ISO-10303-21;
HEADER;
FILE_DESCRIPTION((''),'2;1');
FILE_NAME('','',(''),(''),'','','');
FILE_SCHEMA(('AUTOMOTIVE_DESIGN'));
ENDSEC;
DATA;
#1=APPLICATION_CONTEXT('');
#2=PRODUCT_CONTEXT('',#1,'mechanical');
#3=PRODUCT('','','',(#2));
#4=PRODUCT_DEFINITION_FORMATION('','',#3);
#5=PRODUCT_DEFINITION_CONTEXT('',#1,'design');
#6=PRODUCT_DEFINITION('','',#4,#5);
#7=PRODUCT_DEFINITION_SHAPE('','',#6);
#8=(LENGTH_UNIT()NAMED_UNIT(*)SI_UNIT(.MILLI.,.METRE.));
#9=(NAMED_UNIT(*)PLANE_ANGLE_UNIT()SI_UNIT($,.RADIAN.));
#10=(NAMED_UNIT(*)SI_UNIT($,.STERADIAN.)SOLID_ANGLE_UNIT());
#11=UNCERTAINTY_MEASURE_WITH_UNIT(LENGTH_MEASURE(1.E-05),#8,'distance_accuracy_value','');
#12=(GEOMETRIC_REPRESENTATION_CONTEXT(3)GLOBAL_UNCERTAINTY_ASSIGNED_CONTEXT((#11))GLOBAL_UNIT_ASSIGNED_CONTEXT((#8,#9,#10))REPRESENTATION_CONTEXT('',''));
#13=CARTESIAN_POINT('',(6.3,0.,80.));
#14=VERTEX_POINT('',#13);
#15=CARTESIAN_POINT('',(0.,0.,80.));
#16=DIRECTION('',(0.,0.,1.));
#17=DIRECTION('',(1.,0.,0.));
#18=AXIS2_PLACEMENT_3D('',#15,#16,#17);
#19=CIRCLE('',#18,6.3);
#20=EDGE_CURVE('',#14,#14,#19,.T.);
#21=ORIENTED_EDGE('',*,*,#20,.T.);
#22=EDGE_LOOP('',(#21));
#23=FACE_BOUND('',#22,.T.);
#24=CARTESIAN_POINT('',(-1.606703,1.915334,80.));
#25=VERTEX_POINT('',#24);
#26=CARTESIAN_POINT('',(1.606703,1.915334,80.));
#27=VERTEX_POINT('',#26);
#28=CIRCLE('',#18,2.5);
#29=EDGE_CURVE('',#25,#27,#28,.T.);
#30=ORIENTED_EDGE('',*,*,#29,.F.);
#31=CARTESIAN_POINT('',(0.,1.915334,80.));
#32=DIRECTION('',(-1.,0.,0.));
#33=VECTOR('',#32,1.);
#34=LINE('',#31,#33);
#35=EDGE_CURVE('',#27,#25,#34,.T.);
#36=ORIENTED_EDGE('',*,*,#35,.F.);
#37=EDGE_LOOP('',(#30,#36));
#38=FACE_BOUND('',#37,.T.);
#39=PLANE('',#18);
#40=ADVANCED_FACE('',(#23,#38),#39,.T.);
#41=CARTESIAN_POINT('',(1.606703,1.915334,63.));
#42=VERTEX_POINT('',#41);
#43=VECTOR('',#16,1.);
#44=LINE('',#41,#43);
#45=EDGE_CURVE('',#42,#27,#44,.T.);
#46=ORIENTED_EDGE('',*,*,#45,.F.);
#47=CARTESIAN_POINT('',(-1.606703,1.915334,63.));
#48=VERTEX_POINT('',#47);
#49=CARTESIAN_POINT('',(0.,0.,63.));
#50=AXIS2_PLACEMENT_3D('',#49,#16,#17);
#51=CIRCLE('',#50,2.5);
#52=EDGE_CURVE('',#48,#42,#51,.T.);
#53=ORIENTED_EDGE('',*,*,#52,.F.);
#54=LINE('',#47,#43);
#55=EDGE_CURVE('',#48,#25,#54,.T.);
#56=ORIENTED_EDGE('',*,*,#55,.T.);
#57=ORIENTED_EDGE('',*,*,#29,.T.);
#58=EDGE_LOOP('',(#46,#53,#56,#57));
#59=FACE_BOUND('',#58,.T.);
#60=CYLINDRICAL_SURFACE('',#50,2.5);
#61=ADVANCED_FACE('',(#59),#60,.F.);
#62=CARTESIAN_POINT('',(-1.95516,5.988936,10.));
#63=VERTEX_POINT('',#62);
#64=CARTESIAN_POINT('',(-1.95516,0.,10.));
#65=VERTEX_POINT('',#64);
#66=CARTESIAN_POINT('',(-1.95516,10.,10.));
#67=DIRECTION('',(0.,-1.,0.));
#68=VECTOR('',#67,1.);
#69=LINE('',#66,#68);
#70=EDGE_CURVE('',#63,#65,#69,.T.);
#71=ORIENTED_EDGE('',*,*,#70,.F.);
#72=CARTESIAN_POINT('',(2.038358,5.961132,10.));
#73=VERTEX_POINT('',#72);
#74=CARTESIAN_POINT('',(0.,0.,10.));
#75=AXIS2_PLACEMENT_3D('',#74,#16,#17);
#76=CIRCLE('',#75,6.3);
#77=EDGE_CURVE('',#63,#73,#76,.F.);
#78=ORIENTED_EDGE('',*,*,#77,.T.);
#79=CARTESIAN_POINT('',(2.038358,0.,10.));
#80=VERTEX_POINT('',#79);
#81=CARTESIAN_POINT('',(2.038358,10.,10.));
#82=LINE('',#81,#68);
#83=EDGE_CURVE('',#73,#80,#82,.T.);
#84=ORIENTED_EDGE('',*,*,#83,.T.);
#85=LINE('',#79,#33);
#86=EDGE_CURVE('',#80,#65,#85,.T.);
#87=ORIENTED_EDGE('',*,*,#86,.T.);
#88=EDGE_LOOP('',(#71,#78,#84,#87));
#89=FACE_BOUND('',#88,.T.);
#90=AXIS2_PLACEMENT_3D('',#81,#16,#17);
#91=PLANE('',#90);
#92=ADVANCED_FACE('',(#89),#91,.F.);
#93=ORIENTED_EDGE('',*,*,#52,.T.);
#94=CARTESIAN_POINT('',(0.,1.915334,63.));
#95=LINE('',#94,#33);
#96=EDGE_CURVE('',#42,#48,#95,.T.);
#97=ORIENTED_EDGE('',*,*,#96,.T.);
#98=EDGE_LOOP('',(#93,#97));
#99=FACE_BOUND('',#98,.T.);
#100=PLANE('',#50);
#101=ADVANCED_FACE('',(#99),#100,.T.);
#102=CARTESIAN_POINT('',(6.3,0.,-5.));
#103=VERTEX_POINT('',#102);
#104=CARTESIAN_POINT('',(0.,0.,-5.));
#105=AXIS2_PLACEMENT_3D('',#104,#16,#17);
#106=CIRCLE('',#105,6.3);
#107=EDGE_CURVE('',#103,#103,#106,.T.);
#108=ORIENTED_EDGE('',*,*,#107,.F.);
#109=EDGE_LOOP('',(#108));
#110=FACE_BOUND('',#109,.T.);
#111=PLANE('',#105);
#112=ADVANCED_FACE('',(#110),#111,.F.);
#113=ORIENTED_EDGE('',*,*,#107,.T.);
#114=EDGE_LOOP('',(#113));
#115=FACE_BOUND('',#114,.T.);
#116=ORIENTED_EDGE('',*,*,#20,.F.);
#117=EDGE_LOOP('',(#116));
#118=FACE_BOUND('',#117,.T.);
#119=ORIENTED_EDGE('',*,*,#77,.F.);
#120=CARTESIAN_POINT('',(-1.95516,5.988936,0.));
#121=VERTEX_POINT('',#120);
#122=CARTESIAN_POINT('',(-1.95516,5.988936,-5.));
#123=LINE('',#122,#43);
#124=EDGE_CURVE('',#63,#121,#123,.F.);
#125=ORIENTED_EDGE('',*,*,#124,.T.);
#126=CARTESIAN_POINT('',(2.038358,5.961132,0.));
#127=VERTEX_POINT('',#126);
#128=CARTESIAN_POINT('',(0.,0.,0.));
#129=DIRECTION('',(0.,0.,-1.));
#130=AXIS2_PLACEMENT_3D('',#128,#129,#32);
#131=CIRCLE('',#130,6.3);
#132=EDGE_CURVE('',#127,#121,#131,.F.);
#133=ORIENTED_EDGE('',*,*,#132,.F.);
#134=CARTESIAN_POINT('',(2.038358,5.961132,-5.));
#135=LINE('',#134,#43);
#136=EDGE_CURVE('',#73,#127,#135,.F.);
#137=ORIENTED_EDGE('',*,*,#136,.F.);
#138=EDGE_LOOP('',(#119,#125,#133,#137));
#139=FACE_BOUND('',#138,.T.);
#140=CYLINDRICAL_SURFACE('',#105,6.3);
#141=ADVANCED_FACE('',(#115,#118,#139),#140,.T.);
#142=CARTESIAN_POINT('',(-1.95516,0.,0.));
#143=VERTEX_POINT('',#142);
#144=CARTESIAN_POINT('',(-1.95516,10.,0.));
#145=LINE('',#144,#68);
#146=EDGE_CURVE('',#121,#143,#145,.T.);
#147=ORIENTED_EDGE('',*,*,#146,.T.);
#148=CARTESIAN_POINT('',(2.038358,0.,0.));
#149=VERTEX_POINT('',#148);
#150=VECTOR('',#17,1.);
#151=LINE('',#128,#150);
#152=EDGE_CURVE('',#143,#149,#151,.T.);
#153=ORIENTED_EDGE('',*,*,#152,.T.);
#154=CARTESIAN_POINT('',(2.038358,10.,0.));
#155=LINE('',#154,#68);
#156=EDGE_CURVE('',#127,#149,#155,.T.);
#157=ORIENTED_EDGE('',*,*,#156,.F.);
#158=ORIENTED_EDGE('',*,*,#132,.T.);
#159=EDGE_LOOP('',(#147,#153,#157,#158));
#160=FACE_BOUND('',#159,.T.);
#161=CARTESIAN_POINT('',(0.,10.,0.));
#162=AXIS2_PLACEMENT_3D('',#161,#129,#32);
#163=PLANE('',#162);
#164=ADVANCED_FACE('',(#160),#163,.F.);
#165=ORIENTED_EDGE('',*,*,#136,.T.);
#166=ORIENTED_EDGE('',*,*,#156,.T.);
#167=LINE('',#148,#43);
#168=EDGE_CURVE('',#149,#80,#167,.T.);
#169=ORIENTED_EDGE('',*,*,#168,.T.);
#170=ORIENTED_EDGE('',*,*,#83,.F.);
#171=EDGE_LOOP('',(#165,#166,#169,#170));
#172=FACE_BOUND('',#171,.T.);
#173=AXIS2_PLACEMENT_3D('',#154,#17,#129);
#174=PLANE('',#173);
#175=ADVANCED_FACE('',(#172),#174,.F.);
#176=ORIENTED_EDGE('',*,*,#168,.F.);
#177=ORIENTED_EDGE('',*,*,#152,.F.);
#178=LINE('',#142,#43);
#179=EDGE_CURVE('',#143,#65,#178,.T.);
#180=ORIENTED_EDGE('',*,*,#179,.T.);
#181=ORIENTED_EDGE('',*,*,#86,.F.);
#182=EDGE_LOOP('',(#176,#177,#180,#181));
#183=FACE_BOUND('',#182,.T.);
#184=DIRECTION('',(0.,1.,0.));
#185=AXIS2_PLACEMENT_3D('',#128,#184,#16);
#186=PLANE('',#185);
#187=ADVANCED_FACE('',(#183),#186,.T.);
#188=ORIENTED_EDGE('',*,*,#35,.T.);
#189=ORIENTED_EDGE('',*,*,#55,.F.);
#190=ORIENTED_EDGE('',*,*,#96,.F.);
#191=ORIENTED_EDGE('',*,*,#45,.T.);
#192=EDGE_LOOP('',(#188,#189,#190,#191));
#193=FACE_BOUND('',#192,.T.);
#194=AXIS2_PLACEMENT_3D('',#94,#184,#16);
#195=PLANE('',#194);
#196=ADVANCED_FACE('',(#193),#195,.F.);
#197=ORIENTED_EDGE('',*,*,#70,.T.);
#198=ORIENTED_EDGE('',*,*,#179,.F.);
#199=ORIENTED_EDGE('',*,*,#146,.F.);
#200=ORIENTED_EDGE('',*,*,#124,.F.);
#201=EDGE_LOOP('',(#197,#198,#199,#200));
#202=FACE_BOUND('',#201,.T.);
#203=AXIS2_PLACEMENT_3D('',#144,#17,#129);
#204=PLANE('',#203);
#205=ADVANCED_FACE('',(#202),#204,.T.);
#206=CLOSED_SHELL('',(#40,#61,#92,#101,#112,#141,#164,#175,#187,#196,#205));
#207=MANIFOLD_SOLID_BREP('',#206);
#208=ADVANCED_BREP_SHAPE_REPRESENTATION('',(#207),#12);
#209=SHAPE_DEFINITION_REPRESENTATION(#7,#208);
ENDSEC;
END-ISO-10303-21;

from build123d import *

# Parameters (mm, degrees)
BOSS_EXTRUDE1_DEPTH      = 80
BOSS_EXTRUDE1_DEPTH_BACK = 5
SKETCH1_R                = 6.3
CUT_EXTRUDE1_DEPTH       = 10
CUT_EXTRUDE3_DEPTH       = 17


with BuildPart() as part:
    # Sketch1 → Boss-Extrude1 (new, two sides: drawn at the far end of the back side and taken through both)
    with BuildSketch(Plane.XY.offset(-BOSS_EXTRUDE1_DEPTH_BACK)):
        Circle(SKETCH1_R)
    extrude(amount=BOSS_EXTRUDE1_DEPTH + BOSS_EXTRUDE1_DEPTH_BACK)

    # Sketch6 → Cut-Extrude1 (cut)
    with BuildSketch(Plane(origin=(0, 0, 0), x_dir=(1, 0, 0), z_dir=(0, 1, 0))):
        Polygon((0, 0), (-1.955160092, 0), (-1.955160092, -10), (2.038358394, -10), (2.038358394, 0), align=None)
    extrude(amount=CUT_EXTRUDE1_DEPTH, mode=Mode.SUBTRACT)

    # Sketch7 → Cut-Extrude3 (cut)
    with BuildSketch(Plane.XY.offset(80)):
        with BuildLine():
            Line((1.60670282, 1.915334448), (0, 1.915334448))
            Line((0, 1.915334448), (-1.60670282, 1.915334448))
            ThreePointArc((-1.60670282, 1.915334448), (-1.056703116, -2.265696035), (2.5, 0))
            ThreePointArc((2.5, 0), (2.265696035, 1.056703116), (1.60670282, 1.915334448))
        make_face()
    extrude(amount=-CUT_EXTRUDE3_DEPTH, mode=Mode.SUBTRACT)


solid = part.part
